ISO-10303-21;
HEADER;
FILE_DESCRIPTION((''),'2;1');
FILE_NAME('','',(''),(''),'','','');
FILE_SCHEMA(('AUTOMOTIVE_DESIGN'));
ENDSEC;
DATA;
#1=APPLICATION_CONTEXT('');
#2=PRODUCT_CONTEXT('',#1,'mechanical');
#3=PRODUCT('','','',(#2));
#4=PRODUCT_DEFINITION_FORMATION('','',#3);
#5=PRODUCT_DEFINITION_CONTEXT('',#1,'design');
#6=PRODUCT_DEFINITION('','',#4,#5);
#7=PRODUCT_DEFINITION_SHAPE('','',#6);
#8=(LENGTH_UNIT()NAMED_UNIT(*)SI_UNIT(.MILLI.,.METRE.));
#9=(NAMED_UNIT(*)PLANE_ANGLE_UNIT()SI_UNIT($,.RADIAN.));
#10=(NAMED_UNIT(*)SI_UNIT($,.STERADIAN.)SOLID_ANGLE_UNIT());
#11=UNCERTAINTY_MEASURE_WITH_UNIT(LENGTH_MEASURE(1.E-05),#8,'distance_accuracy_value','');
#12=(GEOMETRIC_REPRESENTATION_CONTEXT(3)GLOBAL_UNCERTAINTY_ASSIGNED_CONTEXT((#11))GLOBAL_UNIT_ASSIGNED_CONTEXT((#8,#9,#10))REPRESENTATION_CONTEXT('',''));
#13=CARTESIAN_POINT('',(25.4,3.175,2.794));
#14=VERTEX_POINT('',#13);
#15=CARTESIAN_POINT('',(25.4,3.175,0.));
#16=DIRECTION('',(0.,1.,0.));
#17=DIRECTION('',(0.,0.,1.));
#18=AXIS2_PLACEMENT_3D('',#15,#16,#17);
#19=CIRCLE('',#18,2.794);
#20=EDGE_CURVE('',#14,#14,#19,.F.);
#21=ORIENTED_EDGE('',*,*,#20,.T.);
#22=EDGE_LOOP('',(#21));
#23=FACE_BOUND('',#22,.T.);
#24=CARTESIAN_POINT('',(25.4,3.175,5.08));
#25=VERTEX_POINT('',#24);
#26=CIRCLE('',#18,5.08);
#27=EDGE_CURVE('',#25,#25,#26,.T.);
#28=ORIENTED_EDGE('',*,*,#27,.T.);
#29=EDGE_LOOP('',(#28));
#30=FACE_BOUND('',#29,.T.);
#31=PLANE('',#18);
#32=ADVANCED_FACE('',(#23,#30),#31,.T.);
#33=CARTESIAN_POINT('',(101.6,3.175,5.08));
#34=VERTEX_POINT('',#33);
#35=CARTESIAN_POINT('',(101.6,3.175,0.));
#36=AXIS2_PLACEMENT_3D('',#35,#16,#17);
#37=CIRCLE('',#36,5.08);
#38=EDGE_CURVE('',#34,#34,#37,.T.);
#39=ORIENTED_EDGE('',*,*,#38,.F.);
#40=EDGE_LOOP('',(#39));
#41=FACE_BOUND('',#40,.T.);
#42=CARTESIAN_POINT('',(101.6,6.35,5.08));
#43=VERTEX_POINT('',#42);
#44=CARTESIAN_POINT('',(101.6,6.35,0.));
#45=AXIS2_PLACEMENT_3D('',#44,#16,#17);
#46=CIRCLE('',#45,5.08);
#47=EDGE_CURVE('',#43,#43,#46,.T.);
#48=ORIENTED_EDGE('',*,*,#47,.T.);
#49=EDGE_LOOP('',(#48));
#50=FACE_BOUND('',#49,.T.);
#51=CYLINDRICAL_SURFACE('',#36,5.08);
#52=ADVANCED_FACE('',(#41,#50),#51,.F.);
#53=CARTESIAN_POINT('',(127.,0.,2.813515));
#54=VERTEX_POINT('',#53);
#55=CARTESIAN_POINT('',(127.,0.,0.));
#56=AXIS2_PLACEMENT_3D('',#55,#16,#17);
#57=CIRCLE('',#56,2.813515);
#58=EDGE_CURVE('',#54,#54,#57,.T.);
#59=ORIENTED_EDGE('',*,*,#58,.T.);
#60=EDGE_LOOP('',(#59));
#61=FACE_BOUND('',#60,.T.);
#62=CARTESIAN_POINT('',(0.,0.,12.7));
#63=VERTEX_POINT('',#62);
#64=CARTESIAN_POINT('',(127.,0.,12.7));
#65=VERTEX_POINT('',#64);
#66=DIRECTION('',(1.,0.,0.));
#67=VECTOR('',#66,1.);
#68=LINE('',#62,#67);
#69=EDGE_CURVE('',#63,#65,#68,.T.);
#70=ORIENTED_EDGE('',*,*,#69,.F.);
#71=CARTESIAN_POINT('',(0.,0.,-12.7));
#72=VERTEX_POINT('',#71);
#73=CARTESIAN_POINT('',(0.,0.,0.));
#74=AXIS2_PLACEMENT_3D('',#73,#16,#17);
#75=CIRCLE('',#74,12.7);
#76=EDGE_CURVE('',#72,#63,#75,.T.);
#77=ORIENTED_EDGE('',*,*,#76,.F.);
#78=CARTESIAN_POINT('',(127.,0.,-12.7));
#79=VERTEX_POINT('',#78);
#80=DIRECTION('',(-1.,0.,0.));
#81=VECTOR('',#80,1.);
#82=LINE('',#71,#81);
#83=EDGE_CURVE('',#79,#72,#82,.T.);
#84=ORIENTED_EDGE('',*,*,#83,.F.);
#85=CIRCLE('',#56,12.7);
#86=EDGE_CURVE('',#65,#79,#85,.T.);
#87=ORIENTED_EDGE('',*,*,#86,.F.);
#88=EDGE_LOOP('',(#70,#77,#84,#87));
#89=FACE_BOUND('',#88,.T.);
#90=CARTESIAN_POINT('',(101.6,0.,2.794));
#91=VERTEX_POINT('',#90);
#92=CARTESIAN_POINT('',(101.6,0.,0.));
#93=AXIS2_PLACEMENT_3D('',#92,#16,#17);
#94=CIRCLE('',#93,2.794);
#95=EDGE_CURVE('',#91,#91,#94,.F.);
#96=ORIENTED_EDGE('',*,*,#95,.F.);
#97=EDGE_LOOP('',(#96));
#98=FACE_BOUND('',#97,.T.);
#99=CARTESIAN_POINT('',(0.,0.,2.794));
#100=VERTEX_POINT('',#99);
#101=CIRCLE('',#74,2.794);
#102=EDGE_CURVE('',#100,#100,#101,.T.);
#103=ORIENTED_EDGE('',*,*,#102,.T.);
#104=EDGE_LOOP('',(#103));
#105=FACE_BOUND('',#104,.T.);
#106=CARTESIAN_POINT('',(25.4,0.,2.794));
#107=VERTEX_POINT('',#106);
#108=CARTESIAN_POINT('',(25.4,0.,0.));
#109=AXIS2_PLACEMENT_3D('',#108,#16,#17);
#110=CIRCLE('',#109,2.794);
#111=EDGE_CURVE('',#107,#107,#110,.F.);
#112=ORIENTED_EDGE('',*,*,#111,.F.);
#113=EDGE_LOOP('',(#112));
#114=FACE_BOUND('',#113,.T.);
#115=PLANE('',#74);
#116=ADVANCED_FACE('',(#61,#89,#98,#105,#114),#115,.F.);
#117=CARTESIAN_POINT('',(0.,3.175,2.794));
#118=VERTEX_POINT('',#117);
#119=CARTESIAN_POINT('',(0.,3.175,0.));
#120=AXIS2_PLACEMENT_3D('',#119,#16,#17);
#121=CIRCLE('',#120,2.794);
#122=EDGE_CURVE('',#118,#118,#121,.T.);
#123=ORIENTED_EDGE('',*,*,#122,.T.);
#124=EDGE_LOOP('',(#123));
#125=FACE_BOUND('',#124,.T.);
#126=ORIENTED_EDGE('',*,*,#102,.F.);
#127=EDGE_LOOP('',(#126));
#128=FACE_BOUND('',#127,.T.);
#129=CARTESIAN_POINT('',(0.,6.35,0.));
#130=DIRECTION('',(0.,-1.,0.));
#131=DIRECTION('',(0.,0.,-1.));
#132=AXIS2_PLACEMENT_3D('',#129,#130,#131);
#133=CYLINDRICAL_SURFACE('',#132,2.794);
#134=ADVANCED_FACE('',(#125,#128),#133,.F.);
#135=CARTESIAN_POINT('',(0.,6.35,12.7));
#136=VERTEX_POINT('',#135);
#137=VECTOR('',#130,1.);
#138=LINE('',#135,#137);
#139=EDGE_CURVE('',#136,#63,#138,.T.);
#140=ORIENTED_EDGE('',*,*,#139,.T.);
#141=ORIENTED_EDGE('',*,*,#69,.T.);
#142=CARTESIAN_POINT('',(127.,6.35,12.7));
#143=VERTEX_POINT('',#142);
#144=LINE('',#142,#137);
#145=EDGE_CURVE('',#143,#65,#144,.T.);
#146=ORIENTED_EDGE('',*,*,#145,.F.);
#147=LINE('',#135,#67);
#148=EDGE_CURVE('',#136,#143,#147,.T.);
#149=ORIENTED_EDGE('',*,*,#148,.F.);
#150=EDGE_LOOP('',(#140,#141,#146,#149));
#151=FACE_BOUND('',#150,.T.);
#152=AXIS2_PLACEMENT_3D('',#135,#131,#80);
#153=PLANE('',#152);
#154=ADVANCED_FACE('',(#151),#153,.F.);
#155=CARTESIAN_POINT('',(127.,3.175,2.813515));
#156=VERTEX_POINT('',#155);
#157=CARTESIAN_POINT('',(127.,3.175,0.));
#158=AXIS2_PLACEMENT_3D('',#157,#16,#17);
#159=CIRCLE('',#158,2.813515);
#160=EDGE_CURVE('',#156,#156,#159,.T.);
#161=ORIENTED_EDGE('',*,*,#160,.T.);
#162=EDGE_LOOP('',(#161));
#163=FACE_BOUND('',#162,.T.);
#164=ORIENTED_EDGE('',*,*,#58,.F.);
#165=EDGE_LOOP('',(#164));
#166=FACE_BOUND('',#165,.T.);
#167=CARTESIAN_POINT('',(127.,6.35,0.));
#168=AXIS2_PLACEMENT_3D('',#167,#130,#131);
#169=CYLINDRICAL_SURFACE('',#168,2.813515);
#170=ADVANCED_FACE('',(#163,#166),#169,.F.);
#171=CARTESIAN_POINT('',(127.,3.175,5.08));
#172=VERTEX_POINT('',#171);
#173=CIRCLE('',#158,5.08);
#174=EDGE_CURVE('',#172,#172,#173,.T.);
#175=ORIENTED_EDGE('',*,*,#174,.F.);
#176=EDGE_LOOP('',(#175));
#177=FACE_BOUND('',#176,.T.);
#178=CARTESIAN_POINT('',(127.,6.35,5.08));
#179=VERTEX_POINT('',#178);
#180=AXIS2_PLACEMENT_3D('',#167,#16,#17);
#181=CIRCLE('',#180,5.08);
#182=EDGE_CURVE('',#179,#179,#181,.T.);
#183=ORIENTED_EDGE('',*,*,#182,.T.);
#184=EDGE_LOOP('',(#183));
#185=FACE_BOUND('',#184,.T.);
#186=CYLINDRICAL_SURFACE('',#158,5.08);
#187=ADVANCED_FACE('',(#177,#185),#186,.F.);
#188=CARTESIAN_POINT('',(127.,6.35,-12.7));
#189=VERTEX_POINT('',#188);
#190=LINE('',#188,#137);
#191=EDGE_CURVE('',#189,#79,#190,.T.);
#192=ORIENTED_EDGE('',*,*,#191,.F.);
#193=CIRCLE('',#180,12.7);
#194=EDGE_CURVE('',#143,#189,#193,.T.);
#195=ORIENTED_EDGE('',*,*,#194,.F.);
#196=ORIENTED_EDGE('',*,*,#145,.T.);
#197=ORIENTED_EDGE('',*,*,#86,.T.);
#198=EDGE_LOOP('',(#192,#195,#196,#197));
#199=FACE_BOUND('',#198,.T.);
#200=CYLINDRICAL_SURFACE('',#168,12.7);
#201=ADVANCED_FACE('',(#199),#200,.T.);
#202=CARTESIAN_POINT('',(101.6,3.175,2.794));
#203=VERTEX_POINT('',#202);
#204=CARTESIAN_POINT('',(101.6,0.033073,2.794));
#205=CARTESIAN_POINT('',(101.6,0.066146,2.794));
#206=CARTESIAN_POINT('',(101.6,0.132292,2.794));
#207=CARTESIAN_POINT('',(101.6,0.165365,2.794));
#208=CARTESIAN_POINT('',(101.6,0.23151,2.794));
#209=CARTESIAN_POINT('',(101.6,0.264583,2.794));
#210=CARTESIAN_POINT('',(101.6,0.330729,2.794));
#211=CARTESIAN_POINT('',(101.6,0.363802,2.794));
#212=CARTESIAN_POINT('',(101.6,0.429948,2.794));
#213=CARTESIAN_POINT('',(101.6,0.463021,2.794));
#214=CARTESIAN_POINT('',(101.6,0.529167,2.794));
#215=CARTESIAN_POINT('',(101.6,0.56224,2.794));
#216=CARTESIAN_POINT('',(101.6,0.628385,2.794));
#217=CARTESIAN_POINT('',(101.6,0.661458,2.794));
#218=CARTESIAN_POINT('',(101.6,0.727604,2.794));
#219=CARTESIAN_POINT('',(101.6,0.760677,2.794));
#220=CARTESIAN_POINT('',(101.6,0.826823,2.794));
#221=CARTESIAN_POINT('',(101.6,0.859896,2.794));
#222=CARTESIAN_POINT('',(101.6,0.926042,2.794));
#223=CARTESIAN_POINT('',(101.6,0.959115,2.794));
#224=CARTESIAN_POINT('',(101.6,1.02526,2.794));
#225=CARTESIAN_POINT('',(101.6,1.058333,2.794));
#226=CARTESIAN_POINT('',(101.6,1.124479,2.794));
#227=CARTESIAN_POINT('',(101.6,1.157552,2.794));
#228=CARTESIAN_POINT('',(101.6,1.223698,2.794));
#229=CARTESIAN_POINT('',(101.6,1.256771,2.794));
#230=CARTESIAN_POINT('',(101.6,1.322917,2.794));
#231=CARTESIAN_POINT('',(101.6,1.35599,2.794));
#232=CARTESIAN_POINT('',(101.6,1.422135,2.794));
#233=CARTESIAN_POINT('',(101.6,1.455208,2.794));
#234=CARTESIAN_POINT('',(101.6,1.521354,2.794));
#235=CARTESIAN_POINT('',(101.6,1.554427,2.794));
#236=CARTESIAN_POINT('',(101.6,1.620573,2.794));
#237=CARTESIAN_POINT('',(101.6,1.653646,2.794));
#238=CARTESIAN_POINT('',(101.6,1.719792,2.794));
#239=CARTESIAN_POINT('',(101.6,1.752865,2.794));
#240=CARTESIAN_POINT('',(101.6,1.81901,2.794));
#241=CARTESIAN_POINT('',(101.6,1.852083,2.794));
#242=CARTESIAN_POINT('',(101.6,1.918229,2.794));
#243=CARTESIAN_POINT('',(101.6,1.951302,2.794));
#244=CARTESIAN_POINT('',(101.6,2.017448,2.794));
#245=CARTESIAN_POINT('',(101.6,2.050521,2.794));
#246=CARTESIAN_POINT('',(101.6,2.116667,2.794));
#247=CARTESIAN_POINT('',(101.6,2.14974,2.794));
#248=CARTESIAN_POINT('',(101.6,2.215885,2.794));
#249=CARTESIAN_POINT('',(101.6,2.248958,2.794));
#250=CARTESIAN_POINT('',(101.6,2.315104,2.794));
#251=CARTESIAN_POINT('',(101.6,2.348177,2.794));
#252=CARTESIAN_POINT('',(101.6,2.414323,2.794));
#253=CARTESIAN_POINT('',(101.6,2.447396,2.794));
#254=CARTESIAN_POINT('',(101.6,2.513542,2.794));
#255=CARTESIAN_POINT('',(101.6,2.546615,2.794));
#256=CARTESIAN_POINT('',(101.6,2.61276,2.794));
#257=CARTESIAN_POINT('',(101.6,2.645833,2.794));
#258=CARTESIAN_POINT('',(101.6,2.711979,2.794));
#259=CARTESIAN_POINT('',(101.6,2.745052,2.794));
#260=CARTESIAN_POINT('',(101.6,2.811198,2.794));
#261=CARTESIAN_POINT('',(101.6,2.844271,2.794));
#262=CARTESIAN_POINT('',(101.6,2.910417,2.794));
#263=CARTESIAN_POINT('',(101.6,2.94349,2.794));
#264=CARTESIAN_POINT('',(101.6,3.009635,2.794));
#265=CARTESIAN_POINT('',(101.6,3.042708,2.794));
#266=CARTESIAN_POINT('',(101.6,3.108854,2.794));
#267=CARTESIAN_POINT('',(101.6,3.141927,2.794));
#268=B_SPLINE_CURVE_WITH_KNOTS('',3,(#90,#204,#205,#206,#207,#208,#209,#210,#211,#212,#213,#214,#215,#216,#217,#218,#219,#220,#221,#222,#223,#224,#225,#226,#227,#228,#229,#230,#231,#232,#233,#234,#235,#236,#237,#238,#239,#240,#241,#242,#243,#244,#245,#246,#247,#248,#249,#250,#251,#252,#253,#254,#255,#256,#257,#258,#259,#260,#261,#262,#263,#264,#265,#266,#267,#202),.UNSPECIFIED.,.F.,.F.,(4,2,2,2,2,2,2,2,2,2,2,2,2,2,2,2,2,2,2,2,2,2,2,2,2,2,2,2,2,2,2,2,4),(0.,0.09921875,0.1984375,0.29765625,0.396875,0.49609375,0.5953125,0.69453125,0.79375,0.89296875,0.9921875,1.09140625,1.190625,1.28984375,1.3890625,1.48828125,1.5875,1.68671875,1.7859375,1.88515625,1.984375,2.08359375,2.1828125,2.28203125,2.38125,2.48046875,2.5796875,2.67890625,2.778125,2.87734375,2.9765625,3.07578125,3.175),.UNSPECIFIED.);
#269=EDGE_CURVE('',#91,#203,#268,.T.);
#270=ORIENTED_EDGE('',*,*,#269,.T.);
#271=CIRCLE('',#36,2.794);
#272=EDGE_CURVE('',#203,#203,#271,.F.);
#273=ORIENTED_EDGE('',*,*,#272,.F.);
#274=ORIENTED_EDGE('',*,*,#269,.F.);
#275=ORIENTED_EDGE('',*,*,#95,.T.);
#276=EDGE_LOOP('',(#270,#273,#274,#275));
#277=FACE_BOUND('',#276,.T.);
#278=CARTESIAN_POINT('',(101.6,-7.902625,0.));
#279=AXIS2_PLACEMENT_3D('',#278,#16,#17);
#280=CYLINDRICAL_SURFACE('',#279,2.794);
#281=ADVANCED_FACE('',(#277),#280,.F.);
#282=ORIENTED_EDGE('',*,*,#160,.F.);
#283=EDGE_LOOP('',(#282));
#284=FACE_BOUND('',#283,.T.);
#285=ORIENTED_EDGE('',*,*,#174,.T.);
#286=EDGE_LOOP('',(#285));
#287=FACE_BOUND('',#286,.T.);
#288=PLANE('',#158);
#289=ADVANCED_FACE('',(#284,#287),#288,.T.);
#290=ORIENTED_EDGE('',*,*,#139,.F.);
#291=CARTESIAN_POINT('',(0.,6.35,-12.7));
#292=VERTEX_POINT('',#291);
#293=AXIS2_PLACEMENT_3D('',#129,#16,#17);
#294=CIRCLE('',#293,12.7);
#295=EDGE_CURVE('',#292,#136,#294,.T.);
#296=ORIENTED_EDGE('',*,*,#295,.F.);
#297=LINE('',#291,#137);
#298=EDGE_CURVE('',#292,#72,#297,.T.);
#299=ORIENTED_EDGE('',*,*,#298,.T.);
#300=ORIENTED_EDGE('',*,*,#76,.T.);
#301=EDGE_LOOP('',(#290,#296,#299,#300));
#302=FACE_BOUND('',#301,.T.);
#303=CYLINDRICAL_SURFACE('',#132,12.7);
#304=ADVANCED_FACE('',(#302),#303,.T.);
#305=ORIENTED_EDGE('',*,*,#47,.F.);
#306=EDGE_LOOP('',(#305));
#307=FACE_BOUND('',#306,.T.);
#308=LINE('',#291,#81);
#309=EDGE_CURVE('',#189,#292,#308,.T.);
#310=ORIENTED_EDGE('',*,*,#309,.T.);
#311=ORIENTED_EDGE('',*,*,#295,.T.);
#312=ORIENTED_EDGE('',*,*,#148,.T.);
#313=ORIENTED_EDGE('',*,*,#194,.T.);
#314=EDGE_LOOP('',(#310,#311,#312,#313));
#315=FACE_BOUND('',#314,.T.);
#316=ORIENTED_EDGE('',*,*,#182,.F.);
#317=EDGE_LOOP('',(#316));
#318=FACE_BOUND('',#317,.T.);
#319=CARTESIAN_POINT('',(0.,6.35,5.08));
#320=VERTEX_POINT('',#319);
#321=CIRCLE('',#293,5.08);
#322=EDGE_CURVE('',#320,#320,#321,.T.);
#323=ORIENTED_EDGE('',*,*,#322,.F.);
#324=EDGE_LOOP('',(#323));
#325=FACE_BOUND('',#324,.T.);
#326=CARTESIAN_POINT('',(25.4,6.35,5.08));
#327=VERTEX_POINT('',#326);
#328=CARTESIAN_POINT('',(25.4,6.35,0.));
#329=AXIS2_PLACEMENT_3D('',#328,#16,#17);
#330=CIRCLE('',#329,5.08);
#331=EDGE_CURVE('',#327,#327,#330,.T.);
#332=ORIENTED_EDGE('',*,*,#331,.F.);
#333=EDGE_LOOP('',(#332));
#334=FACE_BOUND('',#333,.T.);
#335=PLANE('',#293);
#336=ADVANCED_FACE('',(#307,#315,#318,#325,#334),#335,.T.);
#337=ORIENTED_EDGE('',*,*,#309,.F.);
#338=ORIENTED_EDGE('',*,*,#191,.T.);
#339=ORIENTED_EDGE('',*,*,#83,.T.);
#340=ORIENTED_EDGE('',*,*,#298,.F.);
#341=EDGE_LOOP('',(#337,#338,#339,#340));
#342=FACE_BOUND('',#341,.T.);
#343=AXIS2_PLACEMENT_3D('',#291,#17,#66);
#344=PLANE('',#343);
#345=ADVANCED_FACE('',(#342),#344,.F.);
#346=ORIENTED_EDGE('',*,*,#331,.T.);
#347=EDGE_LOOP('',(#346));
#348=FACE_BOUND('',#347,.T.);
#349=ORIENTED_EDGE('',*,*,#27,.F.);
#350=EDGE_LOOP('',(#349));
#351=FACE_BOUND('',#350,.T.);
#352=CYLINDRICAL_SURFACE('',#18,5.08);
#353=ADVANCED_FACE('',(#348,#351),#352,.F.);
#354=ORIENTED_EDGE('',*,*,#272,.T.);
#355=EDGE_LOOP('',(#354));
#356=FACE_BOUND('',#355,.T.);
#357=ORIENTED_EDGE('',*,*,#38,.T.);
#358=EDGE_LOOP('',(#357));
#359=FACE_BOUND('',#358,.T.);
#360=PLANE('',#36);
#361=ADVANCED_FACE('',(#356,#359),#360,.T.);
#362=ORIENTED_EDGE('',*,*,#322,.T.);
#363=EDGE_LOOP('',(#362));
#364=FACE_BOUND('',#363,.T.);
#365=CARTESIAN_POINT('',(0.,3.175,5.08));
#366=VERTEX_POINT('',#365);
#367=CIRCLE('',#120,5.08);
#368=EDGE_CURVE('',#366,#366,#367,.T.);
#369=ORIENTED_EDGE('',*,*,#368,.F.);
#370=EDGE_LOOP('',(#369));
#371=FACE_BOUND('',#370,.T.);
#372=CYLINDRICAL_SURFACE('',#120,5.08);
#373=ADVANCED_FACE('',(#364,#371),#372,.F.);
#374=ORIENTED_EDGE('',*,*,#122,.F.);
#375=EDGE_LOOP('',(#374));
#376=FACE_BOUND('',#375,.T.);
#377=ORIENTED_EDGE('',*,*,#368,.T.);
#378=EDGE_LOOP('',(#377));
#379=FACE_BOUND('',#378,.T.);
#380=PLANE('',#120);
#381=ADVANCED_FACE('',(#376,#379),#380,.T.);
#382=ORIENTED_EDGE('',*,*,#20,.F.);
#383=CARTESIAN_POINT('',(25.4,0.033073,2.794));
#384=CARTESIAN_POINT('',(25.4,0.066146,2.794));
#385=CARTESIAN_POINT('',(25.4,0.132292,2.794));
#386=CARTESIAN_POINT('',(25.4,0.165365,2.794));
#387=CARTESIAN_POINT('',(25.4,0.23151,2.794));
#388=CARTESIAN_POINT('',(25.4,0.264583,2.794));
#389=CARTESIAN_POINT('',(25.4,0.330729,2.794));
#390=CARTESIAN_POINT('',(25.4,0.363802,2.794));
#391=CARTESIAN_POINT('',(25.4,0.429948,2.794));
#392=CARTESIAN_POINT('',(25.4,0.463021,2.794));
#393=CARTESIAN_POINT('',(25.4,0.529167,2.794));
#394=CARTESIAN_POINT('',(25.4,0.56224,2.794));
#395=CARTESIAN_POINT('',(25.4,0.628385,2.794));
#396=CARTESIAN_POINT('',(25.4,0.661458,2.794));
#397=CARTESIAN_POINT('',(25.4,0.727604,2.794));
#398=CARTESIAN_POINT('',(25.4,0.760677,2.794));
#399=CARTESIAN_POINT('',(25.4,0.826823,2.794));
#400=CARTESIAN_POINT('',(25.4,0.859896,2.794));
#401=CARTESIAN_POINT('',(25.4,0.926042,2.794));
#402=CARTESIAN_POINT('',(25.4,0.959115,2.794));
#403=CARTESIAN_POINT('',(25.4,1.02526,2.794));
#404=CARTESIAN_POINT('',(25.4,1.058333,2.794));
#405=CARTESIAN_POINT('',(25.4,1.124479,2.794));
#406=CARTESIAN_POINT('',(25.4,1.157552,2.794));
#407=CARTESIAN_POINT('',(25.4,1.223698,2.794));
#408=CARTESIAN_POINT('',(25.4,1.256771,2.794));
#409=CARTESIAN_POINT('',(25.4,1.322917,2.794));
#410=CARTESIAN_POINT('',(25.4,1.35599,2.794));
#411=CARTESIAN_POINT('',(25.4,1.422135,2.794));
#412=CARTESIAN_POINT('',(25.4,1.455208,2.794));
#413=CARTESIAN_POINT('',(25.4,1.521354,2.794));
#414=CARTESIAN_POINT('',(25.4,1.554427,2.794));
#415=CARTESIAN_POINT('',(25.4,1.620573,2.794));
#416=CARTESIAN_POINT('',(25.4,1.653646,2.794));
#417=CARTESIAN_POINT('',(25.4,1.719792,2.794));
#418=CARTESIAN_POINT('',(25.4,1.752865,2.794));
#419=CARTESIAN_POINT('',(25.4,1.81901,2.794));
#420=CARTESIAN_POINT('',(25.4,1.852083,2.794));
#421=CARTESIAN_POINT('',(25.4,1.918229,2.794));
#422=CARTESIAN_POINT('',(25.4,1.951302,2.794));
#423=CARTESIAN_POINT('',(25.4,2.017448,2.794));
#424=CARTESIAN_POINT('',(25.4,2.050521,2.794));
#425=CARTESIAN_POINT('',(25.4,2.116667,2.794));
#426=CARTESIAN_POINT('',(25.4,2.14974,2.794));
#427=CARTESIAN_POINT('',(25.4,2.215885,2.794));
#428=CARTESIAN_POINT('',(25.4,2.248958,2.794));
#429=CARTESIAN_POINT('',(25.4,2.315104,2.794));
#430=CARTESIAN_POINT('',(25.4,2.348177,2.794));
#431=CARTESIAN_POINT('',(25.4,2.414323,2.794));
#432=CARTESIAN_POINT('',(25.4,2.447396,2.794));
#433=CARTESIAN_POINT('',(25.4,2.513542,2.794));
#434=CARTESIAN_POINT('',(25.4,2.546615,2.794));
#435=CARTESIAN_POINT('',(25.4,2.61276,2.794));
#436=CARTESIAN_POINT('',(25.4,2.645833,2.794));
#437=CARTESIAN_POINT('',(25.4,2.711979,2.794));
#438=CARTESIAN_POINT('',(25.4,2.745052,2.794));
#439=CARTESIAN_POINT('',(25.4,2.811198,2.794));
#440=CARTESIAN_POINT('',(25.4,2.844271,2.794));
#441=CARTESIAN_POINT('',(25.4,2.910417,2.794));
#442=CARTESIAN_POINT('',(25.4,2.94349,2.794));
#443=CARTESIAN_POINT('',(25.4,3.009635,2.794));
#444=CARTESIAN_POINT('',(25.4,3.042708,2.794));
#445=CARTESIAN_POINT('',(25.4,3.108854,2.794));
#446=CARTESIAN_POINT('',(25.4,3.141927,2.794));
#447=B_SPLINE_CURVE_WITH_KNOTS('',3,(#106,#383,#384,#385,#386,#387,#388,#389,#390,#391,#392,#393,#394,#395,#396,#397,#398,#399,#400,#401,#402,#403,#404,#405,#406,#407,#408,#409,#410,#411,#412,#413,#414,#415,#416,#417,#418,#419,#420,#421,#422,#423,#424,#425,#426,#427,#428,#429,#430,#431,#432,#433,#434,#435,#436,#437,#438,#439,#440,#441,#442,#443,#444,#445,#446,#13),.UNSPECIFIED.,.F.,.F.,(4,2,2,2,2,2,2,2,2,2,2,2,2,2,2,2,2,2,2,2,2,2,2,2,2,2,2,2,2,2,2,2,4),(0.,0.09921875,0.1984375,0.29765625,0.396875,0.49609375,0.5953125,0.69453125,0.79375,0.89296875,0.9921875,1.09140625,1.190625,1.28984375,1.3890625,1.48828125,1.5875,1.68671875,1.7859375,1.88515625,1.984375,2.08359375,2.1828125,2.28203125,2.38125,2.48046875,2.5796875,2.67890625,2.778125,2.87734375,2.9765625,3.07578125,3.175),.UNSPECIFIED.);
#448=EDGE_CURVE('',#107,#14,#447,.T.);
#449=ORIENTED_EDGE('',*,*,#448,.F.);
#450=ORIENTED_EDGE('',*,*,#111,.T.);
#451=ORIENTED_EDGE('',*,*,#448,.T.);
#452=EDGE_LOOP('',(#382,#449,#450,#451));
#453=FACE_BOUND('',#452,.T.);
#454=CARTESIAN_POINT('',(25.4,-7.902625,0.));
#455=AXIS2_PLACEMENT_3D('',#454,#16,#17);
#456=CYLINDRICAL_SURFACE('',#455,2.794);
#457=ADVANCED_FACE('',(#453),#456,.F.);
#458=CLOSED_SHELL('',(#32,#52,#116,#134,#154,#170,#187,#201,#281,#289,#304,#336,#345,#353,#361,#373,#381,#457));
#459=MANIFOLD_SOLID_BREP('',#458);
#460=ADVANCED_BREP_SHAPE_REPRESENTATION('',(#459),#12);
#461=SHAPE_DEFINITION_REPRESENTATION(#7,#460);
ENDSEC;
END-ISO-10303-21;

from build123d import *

# Parameters (mm, degrees)
SKETCH1_R           = 2.794
SKETCH1_R_2         = 2.813515076
BOSS_EXTRUDE1_DEPTH = 6.35
SKETCH3_R           = 2.794
CUT_EXTRUDE2_DEPTH  = 6.35
SKETCH2_R           = 5.08
CUT_EXTRUDE1_DEPTH  = 3.175


with BuildPart() as part:
    # Sketch1 → Boss-Extrude1 (new body)
    with BuildSketch(Plane(origin=(0, 0, 0), x_dir=(1, 0, 0), z_dir=(0, 1, 0))):
        with BuildLine():
            Line((0, 12.7), (127, 12.7))
            ThreePointArc((127, 12.7), (139.7, 0), (127, -12.7))
            Line((127, -12.7), (0, -12.7))
            ThreePointArc((0, -12.7), (-12.7, 0), (0, 12.7))
        make_face()
        with Locations(Location((0, 0, 0), (0, 0, 270))):
            Circle(SKETCH1_R, mode=Mode.SUBTRACT)
        with Locations(Location((127, 0, 0), (0, 0, 270))):
            Circle(SKETCH1_R_2, mode=Mode.SUBTRACT)
    extrude(amount=BOSS_EXTRUDE1_DEPTH)

    # Sketch3 → Cut-Extrude2 (cut)
    with BuildSketch(Plane(origin=(0, 6.35, 0), x_dir=(1, 0, 0), z_dir=(0, 1, 0))):
        with Locations(Location((25.4, 0, 0), (0, 0, 270))):
            Circle(SKETCH3_R)
        with Locations(Location((101.6, 0, 0), (0, 0, 270))):
            Circle(SKETCH3_R)
    extrude(amount=-CUT_EXTRUDE2_DEPTH, mode=Mode.SUBTRACT)

    # Sketch2 → Cut-Extrude1 (cut)
    with BuildSketch(Plane(origin=(0, 6.35, 0), x_dir=(1, 0, 0), z_dir=(0, 1, 0))):
        with Locations(Location((0, 0, 0), (0, 0, 270))):
            Circle(SKETCH2_R)
        with Locations(Location((127, 0, 0), (0, 0, 270))):
            Circle(SKETCH2_R)
        with Locations(Location((25.4, 0, 0), (0, 0, 270))):
            Circle(SKETCH2_R)
        with Locations(Location((101.6, 0, 0), (0, 0, 270))):
            Circle(SKETCH2_R)
    extrude(amount=-CUT_EXTRUDE1_DEPTH, mode=Mode.SUBTRACT)


solid = part.part
